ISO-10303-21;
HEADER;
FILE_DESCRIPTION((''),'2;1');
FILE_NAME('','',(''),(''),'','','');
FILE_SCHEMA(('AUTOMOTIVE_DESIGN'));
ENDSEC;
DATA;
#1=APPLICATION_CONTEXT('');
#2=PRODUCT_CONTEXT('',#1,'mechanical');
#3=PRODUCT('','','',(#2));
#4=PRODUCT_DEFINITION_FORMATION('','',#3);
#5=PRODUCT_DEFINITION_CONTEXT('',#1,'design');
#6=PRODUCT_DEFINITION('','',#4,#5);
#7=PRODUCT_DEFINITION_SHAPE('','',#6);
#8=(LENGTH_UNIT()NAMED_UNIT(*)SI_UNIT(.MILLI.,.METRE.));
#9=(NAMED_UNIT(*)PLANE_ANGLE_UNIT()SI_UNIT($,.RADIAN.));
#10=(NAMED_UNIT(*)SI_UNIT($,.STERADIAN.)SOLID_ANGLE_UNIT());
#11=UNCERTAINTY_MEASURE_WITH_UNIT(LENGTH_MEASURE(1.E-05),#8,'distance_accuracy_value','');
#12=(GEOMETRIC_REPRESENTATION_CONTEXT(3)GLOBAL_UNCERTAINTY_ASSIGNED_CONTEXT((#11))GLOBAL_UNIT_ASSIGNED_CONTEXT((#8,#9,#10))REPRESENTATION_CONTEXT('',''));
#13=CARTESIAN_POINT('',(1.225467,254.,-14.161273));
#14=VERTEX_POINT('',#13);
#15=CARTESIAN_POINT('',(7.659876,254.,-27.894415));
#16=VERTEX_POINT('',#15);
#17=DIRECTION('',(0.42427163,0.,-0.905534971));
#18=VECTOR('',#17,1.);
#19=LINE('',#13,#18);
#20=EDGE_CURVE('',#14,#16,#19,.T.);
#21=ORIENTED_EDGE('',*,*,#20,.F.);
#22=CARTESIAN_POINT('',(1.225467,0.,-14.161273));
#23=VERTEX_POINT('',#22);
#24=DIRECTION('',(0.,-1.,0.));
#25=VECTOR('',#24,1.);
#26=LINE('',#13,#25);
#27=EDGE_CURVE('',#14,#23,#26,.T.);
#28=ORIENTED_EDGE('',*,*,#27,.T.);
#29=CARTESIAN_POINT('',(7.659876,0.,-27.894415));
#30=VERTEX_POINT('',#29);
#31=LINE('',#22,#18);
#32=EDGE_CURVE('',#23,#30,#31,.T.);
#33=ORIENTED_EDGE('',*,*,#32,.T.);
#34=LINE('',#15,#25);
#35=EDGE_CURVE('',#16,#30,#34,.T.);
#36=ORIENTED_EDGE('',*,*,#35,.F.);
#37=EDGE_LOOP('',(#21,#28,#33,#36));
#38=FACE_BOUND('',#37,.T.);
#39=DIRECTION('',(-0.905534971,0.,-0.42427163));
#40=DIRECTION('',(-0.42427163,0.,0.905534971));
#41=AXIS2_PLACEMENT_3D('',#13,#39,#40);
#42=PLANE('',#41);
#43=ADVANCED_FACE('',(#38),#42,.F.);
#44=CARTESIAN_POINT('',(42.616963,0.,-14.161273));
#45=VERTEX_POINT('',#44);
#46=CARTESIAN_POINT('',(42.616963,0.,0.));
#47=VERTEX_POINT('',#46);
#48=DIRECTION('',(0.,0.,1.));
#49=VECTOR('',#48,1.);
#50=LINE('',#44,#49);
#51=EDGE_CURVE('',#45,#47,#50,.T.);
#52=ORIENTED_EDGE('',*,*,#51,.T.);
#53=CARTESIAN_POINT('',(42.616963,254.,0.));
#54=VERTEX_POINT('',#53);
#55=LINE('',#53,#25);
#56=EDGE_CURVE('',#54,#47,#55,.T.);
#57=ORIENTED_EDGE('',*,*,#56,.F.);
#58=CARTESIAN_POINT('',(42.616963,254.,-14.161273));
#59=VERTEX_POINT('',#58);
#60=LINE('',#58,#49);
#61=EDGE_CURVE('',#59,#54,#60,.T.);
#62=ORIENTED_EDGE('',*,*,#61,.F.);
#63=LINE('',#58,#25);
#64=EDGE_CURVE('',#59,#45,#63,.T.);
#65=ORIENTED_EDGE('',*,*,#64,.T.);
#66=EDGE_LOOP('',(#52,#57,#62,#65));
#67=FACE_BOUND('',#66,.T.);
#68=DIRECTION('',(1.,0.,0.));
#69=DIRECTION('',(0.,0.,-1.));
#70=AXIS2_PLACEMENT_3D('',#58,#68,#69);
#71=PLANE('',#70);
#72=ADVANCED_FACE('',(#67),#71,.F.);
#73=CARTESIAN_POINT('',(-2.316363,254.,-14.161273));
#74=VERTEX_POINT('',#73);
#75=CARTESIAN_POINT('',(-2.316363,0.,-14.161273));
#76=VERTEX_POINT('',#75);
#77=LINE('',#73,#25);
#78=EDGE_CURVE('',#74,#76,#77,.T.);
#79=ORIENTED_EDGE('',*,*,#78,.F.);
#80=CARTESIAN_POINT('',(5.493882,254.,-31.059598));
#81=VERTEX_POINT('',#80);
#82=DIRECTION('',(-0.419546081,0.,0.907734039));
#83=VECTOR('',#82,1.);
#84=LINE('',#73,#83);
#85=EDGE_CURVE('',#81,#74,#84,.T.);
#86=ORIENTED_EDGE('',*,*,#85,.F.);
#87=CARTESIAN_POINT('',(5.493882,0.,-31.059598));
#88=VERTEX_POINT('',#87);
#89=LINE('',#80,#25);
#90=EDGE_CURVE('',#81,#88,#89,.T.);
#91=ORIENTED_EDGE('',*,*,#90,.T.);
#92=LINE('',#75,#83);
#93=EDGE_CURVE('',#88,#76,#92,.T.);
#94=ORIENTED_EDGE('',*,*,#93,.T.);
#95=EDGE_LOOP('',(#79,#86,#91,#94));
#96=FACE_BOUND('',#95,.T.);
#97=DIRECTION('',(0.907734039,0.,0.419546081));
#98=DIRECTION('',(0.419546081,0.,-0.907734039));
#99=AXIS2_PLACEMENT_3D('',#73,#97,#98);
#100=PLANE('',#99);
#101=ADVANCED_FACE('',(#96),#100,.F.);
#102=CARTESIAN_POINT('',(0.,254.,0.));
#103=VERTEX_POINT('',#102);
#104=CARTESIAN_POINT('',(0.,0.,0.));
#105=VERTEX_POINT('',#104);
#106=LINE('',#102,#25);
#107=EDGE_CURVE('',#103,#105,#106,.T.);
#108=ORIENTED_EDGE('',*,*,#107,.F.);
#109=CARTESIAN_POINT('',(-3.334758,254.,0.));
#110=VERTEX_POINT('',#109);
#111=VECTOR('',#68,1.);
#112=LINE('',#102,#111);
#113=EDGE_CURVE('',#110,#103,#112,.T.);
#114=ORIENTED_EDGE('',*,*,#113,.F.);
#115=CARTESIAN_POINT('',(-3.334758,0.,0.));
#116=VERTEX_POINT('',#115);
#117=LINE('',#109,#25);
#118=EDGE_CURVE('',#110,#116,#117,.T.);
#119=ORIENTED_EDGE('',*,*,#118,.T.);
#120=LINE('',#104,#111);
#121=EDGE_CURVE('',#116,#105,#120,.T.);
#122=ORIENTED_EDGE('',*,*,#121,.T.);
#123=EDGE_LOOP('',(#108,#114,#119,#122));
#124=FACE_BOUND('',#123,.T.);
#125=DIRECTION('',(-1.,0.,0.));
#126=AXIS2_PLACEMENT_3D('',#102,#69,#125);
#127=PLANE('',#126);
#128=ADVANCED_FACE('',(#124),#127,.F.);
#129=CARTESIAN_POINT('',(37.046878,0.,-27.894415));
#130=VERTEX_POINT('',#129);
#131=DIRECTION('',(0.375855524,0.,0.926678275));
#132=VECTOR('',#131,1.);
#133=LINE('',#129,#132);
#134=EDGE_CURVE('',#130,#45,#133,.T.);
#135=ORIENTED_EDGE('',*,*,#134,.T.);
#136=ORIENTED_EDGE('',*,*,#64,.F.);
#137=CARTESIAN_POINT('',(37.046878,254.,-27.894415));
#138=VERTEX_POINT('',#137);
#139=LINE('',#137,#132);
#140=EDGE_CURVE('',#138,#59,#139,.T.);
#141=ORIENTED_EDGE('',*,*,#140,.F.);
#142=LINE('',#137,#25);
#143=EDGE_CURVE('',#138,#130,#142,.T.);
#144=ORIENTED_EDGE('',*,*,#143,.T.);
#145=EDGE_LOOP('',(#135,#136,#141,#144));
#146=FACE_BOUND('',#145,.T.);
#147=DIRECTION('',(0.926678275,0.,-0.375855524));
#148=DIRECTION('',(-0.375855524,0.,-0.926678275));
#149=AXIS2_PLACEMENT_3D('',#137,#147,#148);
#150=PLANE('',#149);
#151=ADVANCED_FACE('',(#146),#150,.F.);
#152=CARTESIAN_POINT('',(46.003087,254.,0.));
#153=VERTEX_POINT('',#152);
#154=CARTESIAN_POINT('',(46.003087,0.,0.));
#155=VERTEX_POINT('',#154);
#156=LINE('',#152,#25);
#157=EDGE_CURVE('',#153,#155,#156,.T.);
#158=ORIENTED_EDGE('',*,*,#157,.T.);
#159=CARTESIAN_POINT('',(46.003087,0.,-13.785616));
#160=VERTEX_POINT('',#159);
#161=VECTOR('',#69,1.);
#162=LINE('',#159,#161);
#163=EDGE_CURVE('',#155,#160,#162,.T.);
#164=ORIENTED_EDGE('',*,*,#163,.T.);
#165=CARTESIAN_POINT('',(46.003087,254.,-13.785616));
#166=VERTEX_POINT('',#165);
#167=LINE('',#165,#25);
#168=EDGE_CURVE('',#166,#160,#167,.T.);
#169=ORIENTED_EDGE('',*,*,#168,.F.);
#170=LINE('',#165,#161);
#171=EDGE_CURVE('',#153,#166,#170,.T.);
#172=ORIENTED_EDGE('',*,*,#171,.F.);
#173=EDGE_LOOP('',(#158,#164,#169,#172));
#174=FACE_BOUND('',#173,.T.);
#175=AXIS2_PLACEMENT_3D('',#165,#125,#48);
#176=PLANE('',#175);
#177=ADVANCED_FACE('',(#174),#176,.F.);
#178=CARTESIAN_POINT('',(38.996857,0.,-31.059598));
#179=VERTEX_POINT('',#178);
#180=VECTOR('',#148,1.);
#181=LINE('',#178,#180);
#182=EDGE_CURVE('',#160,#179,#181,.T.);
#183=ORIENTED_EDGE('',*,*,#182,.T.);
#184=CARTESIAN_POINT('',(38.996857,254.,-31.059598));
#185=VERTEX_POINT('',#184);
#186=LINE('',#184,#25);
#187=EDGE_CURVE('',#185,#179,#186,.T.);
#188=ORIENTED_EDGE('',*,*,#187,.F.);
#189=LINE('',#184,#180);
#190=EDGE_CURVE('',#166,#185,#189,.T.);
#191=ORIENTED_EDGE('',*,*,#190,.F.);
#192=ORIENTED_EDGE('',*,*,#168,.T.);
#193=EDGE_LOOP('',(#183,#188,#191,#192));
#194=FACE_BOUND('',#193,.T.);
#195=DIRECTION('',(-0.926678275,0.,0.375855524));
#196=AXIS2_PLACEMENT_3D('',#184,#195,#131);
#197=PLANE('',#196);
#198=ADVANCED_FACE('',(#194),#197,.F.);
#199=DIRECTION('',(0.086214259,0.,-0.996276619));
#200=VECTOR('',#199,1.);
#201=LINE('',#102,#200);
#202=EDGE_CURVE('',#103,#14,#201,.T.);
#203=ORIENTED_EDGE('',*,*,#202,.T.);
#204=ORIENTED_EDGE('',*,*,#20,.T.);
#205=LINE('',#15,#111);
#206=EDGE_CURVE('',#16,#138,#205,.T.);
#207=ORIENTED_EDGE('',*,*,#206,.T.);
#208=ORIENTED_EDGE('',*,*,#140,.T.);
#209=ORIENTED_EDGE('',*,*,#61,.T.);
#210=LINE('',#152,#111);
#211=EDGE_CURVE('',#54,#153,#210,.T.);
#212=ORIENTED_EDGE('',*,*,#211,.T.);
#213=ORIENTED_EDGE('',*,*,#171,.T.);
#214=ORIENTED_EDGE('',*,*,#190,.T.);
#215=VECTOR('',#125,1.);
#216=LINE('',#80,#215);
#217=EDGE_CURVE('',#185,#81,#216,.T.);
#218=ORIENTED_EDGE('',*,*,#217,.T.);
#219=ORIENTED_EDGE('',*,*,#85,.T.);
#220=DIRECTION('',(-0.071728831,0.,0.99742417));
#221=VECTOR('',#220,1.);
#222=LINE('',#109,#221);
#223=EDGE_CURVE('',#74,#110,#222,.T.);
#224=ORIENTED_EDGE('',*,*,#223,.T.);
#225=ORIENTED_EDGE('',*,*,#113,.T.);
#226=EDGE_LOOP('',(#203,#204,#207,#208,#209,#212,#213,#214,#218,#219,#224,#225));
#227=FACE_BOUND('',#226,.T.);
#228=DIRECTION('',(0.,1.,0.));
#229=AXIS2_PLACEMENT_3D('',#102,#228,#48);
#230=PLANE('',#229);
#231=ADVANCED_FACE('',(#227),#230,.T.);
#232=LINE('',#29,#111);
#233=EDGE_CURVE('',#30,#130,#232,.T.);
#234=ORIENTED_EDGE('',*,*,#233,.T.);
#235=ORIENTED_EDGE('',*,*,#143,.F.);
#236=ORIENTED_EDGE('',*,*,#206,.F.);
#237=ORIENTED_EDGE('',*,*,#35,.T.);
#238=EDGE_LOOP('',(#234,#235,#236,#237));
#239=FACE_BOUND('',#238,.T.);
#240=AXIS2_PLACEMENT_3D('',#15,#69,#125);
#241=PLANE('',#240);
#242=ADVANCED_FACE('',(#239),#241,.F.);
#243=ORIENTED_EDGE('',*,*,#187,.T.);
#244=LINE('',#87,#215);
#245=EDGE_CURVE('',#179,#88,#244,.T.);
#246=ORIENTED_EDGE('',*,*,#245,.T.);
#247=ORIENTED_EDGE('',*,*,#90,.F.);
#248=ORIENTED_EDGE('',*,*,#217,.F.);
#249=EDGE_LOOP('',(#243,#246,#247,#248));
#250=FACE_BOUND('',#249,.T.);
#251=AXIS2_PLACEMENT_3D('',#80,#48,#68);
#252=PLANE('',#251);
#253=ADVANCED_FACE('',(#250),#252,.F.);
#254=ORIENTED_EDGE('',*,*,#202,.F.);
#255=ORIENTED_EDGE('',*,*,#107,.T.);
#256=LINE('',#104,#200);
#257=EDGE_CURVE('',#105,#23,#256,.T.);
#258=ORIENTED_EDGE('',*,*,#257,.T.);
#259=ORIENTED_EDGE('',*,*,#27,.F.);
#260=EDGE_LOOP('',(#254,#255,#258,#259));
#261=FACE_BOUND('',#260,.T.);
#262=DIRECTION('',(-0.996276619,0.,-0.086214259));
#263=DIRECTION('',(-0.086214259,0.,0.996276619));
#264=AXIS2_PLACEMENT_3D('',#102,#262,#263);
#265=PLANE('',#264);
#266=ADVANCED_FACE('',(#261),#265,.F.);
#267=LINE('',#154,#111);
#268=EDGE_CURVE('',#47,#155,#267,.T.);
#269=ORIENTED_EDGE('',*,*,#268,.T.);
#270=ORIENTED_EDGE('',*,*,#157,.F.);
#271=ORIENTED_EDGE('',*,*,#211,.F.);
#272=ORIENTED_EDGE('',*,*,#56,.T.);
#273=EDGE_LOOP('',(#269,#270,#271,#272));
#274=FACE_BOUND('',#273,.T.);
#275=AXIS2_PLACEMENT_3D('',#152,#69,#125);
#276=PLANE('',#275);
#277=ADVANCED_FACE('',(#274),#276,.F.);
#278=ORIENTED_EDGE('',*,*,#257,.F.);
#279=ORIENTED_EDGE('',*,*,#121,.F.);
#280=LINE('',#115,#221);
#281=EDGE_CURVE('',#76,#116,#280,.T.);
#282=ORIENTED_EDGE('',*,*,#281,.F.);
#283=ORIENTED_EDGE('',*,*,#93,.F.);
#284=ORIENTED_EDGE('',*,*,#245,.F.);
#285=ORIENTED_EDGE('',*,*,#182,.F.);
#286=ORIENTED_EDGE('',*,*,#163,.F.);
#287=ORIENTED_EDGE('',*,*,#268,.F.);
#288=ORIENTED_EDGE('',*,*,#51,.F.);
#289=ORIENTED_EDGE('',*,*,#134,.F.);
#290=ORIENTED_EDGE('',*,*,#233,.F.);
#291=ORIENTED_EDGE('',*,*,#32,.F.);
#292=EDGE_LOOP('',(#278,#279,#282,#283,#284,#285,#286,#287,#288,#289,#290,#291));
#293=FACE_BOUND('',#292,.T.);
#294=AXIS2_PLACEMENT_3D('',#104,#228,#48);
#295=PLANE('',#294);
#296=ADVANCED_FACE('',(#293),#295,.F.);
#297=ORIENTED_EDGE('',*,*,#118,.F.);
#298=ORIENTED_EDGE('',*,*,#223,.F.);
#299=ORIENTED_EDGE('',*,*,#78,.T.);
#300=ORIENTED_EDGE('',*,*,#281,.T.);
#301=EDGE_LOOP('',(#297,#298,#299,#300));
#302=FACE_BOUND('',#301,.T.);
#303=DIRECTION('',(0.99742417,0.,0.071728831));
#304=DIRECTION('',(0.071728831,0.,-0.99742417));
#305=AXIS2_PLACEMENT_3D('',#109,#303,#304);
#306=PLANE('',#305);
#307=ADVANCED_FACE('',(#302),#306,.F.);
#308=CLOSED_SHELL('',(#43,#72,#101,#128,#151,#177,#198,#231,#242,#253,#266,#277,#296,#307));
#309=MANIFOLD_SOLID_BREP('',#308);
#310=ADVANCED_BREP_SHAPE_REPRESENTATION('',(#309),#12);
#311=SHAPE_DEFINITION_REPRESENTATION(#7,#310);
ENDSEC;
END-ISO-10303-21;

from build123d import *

# Parameters (mm, degrees)
BOSS_EXTRUDE1_DEPTH = 254


with BuildPart() as part:
    # Sketch1 → Boss-Extrude1 (new body)
    with BuildSketch(Plane(origin=(0, 0, 0), x_dir=(1, 0, 0), z_dir=(0, 1, 0))):
        Polygon((0, 0), (1.225466559, 14.161273274), (7.659875515, 27.894414778), (37.046877614, 27.894414778), (42.616962979, 14.161273274), (42.616962979, 0), (46.003087234, 0), (46.003087234, 13.78561588), (38.99685671, 31.059598032), (5.493882431, 31.059598032), (-2.316363335, 14.161273274), (-3.334758131, 0), align=None)
    extrude(amount=BOSS_EXTRUDE1_DEPTH)


solid = part.part
